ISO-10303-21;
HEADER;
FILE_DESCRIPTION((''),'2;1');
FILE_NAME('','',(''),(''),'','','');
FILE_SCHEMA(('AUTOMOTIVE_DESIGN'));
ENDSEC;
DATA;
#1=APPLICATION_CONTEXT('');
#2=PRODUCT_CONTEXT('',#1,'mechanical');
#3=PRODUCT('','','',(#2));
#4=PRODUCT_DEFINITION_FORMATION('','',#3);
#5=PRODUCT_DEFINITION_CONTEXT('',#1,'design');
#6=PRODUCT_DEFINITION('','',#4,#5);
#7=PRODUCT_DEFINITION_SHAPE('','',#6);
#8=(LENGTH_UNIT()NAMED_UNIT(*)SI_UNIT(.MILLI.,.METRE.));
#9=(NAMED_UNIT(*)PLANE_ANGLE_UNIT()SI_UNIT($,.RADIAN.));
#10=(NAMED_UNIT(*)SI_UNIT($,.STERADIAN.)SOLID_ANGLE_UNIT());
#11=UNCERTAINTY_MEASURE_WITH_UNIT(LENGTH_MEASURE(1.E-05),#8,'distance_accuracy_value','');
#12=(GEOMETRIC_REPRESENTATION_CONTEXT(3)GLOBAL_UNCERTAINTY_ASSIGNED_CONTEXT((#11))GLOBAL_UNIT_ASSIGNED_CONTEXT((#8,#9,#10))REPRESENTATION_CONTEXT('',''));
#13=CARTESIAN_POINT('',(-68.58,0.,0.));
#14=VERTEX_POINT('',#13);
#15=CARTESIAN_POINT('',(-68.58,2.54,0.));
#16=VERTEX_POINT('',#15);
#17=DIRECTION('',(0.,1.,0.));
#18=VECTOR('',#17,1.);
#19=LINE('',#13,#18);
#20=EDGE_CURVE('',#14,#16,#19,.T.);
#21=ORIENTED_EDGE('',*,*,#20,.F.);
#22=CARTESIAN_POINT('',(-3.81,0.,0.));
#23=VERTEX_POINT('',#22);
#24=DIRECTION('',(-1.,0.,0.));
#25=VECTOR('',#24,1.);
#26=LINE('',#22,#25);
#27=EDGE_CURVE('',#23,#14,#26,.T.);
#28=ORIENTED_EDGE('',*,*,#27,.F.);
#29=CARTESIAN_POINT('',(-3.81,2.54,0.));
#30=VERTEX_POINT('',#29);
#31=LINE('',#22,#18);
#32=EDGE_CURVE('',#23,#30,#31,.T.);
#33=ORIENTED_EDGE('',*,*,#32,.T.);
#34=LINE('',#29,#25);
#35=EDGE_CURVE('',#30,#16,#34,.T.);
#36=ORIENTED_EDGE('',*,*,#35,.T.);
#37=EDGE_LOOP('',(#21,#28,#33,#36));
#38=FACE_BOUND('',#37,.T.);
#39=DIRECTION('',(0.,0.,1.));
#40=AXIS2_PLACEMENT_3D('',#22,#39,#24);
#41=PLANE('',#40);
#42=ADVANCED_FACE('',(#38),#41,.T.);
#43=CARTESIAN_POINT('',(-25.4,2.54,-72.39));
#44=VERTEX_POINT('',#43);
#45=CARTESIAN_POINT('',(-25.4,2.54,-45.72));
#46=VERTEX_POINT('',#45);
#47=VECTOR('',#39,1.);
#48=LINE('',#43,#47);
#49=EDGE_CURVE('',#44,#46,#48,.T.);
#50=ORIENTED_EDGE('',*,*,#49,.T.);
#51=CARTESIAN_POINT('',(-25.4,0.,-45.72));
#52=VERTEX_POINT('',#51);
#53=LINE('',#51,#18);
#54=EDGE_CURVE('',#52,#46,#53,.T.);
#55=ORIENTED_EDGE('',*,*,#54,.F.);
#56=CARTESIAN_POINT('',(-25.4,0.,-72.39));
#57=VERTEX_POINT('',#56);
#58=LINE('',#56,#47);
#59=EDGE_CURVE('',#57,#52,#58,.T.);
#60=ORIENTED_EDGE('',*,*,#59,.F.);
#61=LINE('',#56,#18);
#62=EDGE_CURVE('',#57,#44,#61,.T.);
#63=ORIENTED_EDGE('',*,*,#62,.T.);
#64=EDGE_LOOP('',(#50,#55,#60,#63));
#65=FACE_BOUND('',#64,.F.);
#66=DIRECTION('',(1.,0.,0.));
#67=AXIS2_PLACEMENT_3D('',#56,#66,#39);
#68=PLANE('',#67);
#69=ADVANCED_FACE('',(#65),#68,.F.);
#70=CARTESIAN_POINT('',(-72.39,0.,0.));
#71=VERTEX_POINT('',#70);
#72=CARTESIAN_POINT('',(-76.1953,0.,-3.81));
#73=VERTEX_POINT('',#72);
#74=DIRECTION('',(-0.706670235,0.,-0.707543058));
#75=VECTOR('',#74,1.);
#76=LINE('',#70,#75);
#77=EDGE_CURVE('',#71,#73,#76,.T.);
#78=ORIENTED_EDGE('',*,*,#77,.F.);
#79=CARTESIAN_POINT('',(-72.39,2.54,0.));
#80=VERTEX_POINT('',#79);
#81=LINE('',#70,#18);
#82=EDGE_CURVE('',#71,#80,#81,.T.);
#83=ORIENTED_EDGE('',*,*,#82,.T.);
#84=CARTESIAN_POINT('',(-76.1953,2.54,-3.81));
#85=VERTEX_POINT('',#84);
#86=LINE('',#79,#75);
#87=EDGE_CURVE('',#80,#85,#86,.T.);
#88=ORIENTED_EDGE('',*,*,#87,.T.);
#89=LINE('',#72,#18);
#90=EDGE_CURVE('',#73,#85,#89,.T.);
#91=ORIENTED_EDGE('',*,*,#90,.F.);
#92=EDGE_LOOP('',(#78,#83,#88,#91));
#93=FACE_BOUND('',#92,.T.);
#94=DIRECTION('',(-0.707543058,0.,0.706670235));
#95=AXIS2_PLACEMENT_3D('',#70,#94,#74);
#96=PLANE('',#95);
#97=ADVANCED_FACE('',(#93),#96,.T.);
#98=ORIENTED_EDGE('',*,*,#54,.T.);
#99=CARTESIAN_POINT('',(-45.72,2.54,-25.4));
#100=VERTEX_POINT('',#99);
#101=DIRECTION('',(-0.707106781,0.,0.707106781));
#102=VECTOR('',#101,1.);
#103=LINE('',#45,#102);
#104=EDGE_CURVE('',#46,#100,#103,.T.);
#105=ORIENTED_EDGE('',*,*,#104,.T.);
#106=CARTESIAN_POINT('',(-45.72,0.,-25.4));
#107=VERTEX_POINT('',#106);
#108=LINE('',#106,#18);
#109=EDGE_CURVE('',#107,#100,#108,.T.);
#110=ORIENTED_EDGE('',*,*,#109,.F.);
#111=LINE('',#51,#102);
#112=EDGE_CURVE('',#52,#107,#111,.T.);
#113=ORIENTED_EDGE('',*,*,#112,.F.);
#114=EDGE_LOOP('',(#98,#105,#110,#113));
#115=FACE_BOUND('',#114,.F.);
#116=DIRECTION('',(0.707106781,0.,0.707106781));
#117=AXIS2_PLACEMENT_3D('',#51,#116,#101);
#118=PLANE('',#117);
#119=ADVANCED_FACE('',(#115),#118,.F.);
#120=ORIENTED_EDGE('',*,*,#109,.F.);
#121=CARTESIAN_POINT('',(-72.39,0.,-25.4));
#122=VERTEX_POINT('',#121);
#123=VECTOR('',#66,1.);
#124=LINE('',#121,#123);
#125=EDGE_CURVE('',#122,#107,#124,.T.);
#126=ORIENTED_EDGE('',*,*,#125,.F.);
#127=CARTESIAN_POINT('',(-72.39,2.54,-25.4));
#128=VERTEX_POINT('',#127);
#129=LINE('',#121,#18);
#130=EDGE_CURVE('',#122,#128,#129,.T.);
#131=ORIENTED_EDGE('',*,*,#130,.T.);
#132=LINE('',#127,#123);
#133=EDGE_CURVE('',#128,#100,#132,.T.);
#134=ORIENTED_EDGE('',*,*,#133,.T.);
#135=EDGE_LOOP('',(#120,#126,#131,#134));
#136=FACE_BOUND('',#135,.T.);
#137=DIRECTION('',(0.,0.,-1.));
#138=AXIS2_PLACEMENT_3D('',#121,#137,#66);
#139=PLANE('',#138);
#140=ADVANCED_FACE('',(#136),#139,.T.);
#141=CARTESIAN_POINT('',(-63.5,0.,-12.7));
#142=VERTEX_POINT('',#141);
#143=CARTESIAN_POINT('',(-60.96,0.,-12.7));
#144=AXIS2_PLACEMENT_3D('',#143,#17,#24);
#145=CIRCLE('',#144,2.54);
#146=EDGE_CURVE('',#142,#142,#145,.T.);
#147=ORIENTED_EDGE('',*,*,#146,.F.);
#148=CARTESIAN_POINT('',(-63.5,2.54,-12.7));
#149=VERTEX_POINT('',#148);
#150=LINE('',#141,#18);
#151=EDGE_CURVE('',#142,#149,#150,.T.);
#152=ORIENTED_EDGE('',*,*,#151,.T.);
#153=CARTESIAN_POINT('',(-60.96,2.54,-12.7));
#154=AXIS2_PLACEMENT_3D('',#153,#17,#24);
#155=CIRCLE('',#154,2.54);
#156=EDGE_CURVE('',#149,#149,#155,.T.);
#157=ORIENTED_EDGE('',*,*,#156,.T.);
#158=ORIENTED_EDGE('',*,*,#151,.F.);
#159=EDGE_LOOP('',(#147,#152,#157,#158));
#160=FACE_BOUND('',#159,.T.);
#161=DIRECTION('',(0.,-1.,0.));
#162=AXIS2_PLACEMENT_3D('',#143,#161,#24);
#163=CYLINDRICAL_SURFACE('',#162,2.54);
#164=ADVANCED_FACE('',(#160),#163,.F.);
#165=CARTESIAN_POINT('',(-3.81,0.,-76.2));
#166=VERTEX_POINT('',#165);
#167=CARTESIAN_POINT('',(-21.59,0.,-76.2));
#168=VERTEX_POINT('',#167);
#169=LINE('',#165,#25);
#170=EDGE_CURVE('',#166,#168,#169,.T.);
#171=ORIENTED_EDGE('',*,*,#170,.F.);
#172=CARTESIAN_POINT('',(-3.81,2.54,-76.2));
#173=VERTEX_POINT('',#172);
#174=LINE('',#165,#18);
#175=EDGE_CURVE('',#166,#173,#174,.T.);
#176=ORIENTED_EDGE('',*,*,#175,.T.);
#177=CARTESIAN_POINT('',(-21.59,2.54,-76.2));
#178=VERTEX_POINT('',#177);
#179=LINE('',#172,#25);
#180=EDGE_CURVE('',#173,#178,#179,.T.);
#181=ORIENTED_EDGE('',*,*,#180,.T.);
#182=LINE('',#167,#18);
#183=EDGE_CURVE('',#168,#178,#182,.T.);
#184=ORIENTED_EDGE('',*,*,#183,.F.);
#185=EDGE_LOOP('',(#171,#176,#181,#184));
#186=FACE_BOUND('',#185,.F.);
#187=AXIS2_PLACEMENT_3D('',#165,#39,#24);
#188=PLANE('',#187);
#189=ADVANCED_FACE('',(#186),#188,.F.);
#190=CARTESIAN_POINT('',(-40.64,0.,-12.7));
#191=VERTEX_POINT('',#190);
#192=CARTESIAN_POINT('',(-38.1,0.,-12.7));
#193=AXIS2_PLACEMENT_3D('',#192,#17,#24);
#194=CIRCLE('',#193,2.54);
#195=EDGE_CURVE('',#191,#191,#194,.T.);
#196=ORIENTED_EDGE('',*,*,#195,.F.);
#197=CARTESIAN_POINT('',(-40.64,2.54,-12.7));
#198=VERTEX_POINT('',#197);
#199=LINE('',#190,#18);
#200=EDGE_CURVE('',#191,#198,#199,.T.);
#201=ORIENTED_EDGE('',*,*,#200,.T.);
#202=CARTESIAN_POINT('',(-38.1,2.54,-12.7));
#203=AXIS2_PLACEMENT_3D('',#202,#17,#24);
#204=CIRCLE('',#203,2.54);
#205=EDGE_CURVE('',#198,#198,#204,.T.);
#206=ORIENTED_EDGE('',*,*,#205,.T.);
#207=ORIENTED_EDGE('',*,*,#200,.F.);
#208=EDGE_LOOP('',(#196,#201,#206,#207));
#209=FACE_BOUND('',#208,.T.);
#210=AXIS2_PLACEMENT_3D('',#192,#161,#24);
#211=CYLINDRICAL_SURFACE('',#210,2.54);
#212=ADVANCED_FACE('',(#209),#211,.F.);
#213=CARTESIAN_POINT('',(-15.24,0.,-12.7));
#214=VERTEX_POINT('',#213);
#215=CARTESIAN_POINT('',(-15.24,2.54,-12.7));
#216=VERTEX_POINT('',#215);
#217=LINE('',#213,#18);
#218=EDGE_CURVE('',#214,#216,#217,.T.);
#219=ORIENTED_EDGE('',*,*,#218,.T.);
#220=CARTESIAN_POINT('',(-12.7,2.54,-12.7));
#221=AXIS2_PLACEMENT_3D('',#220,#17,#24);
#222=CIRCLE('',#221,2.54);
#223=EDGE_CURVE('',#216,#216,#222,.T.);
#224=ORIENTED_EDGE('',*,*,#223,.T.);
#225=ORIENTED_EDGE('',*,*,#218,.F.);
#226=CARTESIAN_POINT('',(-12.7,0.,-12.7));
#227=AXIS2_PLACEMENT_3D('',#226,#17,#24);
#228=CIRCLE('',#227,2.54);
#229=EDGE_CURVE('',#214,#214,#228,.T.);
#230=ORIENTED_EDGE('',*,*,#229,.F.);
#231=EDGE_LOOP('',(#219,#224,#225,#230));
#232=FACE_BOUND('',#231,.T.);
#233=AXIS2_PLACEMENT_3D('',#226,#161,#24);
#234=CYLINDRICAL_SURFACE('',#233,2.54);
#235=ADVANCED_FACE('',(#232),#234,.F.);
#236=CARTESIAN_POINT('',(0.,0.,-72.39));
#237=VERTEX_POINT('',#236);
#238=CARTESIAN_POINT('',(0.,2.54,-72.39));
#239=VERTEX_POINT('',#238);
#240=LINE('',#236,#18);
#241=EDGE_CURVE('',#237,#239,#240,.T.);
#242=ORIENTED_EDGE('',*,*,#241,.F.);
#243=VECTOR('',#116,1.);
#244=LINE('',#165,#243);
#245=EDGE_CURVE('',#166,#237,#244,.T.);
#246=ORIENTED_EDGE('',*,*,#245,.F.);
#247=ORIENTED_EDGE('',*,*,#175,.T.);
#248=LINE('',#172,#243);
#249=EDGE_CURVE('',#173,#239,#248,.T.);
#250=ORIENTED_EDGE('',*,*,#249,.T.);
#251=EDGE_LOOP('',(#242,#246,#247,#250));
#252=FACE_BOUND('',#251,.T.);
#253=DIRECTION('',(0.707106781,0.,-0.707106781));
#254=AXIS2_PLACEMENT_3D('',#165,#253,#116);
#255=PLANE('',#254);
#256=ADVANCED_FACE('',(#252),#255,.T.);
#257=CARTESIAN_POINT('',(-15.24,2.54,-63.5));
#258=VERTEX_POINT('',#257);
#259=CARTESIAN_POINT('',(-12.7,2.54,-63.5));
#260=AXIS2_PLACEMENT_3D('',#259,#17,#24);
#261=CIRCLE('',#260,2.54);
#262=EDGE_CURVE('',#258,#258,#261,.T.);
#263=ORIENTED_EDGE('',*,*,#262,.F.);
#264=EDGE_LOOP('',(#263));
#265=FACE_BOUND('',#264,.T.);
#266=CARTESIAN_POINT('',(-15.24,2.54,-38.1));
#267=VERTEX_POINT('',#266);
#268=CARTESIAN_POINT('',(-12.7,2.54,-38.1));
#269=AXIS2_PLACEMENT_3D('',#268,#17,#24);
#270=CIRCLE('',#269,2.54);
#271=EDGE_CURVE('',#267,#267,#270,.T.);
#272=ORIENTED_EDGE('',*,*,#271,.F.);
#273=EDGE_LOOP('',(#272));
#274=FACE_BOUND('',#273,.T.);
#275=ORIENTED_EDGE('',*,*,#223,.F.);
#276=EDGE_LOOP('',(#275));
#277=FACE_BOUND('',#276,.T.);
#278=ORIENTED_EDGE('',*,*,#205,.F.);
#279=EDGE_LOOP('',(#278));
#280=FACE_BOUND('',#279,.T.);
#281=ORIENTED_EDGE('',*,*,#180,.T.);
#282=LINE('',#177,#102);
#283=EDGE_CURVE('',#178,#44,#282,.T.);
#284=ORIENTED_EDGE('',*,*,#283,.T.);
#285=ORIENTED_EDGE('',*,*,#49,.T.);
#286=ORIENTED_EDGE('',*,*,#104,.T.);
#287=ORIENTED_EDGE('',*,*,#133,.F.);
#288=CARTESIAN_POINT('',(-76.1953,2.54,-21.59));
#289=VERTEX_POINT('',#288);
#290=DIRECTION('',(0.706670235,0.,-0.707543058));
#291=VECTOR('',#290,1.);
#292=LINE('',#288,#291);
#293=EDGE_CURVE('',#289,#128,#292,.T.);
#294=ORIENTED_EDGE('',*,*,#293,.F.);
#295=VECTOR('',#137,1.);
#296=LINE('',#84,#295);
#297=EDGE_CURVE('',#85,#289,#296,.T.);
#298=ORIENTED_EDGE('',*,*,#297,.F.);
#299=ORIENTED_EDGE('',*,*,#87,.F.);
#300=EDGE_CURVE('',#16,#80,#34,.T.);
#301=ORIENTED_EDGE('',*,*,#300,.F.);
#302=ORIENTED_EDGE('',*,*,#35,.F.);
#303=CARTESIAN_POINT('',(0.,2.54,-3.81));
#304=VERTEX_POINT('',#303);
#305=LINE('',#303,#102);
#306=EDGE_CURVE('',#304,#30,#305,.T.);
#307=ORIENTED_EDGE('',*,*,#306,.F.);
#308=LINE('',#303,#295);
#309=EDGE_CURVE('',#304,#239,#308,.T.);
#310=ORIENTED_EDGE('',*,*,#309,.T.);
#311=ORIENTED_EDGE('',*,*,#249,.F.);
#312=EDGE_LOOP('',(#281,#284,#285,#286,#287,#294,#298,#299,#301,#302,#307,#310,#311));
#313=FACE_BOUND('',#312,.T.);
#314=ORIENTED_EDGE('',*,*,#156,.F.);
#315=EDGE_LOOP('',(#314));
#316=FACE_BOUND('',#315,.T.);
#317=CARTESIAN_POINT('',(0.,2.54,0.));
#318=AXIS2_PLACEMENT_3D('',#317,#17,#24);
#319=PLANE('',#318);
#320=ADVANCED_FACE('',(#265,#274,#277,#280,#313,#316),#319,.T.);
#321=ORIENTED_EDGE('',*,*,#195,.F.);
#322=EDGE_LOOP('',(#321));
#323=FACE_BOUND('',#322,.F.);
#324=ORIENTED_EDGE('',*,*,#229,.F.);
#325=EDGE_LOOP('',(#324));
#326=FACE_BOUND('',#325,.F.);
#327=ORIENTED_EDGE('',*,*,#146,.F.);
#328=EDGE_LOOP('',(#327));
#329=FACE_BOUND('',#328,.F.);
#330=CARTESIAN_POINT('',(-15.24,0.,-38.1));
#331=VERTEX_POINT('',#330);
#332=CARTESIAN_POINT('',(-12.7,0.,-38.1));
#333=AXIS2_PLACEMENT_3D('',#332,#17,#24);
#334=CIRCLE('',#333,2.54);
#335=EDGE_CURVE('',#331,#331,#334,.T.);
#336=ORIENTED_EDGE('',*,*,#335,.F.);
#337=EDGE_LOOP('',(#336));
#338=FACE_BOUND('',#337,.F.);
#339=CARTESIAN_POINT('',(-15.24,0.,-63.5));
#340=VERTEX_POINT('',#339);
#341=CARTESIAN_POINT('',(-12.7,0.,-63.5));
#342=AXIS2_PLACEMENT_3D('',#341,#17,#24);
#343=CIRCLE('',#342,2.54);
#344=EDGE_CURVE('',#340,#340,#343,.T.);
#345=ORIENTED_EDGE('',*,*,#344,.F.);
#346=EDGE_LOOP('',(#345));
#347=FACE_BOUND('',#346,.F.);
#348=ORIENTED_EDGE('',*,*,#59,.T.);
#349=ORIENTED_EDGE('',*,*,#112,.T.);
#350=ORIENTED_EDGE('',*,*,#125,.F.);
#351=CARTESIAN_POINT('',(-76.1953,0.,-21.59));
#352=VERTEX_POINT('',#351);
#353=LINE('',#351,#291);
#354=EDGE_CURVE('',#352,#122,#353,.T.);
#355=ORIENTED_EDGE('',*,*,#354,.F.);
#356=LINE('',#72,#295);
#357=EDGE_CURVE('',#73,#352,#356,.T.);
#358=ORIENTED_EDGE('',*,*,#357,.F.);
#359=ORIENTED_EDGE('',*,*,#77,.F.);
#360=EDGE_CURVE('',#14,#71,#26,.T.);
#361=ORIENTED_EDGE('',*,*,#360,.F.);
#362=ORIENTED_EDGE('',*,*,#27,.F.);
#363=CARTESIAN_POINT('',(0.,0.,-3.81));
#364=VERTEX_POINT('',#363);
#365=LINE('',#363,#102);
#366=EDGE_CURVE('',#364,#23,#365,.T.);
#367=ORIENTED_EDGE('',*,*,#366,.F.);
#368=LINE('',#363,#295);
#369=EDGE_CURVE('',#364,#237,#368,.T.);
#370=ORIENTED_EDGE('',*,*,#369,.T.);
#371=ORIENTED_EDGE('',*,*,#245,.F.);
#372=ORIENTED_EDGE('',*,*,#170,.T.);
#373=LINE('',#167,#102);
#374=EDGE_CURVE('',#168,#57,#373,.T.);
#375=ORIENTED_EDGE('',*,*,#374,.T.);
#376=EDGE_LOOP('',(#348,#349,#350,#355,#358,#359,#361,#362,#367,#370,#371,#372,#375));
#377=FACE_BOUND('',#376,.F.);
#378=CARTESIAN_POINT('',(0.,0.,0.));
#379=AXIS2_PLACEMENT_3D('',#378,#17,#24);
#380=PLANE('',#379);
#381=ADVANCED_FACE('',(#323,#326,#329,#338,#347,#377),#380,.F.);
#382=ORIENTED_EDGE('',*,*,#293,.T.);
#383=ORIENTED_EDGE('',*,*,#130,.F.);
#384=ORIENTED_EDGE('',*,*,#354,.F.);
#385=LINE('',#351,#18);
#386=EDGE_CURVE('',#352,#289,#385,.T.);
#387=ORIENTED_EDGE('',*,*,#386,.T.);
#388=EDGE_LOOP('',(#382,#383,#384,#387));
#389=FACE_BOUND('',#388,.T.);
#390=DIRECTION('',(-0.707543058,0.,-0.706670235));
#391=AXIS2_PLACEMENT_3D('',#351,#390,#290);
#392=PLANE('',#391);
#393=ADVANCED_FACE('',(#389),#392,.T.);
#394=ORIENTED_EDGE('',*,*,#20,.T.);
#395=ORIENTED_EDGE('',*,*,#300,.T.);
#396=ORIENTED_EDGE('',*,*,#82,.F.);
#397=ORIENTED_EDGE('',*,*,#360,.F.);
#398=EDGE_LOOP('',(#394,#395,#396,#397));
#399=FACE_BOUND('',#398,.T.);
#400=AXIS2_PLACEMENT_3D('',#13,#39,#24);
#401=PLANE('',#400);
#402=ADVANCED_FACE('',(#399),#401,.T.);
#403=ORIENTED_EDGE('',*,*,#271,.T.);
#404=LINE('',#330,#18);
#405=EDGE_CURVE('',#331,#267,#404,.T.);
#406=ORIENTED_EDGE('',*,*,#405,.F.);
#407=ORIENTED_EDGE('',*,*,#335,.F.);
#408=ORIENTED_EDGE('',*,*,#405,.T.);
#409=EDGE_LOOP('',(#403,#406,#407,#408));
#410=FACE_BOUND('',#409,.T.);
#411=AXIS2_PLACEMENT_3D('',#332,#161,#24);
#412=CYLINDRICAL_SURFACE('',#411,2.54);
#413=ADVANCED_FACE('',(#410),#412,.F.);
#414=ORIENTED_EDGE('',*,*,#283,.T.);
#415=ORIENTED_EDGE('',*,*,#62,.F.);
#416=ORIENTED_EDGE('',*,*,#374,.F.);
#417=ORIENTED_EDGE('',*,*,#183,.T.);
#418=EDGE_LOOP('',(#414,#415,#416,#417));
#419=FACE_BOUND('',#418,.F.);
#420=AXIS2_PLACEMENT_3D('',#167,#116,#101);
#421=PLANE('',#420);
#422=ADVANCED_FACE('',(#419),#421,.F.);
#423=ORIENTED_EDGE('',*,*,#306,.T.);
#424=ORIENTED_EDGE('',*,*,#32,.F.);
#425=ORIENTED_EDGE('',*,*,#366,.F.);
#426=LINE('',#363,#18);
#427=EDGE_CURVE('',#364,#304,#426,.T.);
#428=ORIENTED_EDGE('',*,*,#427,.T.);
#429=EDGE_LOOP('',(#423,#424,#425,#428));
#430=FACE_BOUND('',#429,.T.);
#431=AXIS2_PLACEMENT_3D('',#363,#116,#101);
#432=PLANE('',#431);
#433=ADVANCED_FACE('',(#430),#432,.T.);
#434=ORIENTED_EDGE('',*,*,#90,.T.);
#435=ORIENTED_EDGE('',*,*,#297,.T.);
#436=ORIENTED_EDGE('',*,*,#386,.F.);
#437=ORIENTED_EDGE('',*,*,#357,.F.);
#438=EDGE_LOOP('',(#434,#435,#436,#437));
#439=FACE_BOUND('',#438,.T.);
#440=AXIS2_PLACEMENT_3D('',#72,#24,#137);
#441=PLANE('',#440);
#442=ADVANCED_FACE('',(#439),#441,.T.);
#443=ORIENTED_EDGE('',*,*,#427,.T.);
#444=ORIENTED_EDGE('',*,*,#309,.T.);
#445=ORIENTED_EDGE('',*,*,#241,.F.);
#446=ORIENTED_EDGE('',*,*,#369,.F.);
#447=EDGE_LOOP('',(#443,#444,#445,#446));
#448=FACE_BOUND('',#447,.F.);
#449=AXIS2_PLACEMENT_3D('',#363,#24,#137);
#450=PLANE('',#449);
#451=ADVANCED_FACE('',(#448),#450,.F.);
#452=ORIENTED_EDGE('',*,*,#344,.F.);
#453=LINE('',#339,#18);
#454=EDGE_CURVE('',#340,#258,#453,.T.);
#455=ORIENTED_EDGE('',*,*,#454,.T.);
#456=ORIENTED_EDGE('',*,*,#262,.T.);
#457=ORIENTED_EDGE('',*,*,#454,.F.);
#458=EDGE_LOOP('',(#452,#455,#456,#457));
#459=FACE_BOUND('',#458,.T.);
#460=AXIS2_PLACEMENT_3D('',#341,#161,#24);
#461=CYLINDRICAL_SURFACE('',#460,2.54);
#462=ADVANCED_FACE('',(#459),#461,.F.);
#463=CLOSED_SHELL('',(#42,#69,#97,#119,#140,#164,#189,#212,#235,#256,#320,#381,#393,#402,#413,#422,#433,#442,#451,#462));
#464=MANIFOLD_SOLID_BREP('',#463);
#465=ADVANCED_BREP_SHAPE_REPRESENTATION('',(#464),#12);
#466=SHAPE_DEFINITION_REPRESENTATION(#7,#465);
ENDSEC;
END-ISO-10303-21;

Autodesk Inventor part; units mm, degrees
ref_plane "YZ Plane" through (0, 0, 0) normal (1, 0, 0) x (0, 1, 0)
ref_plane "XZ Plane" through (0, 0, 0) normal (0, 1, 0) x (-1, 0, 0)
ref_plane "XY Plane" through (0, 0, 0) normal (0, 0, 1) x (1, 0, 0)
sketch "Sketch1" plane through (0, 0, 0) normal (0, 1, 0) x (-1, 0, 0)
  line L0 (25.4, -45.72) -> (45.72, -25.4)
  line L1 (0, -3.81) -> (3.81, 0)
  line L2 (3.81, -76.2) -> (0, -72.39)
  line L3 (21.59, -76.2) -> (25.4, -72.39)
  line L4 (0, -3.81) -> (0, -72.39)
  line L5 (3.81, -76.2) -> (21.59, -76.2)
  line L6 (25.4, -72.39) -> (25.4, -45.72)
  circle A0 centre (38.1, -12.7) radius 2.54
  circle A1 centre (12.7, -12.7) radius 2.54
  circle A2 centre (12.7, -38.1) radius 2.54
  circle A3 centre (12.7, -63.5) radius 2.54
  line L7 (3.81, 0) -> (72.39, 0)
  line L8 (72.39, 0) -> (68.58, 0)
  line L9 (72.39, 0) -> (76.1953, -3.81)
  line L10 (76.1953, -3.81) -> (76.1953, -21.59)
  line L11 (76.1953, -21.59) -> (72.39, -25.4)
  line L12 (72.39, -25.4) -> (45.72, -25.4)
  circle A4 centre (60.96, -12.7) radius 2.54
  point P0 (0, 0)
  dimension "d28" = 68.58
  dimension "d32" = 5.3848
  dimension "d33" = 17.78
  dimension "d34" = 5.3848
extrude "Extrusion3" add sketch "Sketch1" along normal blind 2.54
properties part number "1in corner bracket for extrusions" material "Steel, Alloy"
